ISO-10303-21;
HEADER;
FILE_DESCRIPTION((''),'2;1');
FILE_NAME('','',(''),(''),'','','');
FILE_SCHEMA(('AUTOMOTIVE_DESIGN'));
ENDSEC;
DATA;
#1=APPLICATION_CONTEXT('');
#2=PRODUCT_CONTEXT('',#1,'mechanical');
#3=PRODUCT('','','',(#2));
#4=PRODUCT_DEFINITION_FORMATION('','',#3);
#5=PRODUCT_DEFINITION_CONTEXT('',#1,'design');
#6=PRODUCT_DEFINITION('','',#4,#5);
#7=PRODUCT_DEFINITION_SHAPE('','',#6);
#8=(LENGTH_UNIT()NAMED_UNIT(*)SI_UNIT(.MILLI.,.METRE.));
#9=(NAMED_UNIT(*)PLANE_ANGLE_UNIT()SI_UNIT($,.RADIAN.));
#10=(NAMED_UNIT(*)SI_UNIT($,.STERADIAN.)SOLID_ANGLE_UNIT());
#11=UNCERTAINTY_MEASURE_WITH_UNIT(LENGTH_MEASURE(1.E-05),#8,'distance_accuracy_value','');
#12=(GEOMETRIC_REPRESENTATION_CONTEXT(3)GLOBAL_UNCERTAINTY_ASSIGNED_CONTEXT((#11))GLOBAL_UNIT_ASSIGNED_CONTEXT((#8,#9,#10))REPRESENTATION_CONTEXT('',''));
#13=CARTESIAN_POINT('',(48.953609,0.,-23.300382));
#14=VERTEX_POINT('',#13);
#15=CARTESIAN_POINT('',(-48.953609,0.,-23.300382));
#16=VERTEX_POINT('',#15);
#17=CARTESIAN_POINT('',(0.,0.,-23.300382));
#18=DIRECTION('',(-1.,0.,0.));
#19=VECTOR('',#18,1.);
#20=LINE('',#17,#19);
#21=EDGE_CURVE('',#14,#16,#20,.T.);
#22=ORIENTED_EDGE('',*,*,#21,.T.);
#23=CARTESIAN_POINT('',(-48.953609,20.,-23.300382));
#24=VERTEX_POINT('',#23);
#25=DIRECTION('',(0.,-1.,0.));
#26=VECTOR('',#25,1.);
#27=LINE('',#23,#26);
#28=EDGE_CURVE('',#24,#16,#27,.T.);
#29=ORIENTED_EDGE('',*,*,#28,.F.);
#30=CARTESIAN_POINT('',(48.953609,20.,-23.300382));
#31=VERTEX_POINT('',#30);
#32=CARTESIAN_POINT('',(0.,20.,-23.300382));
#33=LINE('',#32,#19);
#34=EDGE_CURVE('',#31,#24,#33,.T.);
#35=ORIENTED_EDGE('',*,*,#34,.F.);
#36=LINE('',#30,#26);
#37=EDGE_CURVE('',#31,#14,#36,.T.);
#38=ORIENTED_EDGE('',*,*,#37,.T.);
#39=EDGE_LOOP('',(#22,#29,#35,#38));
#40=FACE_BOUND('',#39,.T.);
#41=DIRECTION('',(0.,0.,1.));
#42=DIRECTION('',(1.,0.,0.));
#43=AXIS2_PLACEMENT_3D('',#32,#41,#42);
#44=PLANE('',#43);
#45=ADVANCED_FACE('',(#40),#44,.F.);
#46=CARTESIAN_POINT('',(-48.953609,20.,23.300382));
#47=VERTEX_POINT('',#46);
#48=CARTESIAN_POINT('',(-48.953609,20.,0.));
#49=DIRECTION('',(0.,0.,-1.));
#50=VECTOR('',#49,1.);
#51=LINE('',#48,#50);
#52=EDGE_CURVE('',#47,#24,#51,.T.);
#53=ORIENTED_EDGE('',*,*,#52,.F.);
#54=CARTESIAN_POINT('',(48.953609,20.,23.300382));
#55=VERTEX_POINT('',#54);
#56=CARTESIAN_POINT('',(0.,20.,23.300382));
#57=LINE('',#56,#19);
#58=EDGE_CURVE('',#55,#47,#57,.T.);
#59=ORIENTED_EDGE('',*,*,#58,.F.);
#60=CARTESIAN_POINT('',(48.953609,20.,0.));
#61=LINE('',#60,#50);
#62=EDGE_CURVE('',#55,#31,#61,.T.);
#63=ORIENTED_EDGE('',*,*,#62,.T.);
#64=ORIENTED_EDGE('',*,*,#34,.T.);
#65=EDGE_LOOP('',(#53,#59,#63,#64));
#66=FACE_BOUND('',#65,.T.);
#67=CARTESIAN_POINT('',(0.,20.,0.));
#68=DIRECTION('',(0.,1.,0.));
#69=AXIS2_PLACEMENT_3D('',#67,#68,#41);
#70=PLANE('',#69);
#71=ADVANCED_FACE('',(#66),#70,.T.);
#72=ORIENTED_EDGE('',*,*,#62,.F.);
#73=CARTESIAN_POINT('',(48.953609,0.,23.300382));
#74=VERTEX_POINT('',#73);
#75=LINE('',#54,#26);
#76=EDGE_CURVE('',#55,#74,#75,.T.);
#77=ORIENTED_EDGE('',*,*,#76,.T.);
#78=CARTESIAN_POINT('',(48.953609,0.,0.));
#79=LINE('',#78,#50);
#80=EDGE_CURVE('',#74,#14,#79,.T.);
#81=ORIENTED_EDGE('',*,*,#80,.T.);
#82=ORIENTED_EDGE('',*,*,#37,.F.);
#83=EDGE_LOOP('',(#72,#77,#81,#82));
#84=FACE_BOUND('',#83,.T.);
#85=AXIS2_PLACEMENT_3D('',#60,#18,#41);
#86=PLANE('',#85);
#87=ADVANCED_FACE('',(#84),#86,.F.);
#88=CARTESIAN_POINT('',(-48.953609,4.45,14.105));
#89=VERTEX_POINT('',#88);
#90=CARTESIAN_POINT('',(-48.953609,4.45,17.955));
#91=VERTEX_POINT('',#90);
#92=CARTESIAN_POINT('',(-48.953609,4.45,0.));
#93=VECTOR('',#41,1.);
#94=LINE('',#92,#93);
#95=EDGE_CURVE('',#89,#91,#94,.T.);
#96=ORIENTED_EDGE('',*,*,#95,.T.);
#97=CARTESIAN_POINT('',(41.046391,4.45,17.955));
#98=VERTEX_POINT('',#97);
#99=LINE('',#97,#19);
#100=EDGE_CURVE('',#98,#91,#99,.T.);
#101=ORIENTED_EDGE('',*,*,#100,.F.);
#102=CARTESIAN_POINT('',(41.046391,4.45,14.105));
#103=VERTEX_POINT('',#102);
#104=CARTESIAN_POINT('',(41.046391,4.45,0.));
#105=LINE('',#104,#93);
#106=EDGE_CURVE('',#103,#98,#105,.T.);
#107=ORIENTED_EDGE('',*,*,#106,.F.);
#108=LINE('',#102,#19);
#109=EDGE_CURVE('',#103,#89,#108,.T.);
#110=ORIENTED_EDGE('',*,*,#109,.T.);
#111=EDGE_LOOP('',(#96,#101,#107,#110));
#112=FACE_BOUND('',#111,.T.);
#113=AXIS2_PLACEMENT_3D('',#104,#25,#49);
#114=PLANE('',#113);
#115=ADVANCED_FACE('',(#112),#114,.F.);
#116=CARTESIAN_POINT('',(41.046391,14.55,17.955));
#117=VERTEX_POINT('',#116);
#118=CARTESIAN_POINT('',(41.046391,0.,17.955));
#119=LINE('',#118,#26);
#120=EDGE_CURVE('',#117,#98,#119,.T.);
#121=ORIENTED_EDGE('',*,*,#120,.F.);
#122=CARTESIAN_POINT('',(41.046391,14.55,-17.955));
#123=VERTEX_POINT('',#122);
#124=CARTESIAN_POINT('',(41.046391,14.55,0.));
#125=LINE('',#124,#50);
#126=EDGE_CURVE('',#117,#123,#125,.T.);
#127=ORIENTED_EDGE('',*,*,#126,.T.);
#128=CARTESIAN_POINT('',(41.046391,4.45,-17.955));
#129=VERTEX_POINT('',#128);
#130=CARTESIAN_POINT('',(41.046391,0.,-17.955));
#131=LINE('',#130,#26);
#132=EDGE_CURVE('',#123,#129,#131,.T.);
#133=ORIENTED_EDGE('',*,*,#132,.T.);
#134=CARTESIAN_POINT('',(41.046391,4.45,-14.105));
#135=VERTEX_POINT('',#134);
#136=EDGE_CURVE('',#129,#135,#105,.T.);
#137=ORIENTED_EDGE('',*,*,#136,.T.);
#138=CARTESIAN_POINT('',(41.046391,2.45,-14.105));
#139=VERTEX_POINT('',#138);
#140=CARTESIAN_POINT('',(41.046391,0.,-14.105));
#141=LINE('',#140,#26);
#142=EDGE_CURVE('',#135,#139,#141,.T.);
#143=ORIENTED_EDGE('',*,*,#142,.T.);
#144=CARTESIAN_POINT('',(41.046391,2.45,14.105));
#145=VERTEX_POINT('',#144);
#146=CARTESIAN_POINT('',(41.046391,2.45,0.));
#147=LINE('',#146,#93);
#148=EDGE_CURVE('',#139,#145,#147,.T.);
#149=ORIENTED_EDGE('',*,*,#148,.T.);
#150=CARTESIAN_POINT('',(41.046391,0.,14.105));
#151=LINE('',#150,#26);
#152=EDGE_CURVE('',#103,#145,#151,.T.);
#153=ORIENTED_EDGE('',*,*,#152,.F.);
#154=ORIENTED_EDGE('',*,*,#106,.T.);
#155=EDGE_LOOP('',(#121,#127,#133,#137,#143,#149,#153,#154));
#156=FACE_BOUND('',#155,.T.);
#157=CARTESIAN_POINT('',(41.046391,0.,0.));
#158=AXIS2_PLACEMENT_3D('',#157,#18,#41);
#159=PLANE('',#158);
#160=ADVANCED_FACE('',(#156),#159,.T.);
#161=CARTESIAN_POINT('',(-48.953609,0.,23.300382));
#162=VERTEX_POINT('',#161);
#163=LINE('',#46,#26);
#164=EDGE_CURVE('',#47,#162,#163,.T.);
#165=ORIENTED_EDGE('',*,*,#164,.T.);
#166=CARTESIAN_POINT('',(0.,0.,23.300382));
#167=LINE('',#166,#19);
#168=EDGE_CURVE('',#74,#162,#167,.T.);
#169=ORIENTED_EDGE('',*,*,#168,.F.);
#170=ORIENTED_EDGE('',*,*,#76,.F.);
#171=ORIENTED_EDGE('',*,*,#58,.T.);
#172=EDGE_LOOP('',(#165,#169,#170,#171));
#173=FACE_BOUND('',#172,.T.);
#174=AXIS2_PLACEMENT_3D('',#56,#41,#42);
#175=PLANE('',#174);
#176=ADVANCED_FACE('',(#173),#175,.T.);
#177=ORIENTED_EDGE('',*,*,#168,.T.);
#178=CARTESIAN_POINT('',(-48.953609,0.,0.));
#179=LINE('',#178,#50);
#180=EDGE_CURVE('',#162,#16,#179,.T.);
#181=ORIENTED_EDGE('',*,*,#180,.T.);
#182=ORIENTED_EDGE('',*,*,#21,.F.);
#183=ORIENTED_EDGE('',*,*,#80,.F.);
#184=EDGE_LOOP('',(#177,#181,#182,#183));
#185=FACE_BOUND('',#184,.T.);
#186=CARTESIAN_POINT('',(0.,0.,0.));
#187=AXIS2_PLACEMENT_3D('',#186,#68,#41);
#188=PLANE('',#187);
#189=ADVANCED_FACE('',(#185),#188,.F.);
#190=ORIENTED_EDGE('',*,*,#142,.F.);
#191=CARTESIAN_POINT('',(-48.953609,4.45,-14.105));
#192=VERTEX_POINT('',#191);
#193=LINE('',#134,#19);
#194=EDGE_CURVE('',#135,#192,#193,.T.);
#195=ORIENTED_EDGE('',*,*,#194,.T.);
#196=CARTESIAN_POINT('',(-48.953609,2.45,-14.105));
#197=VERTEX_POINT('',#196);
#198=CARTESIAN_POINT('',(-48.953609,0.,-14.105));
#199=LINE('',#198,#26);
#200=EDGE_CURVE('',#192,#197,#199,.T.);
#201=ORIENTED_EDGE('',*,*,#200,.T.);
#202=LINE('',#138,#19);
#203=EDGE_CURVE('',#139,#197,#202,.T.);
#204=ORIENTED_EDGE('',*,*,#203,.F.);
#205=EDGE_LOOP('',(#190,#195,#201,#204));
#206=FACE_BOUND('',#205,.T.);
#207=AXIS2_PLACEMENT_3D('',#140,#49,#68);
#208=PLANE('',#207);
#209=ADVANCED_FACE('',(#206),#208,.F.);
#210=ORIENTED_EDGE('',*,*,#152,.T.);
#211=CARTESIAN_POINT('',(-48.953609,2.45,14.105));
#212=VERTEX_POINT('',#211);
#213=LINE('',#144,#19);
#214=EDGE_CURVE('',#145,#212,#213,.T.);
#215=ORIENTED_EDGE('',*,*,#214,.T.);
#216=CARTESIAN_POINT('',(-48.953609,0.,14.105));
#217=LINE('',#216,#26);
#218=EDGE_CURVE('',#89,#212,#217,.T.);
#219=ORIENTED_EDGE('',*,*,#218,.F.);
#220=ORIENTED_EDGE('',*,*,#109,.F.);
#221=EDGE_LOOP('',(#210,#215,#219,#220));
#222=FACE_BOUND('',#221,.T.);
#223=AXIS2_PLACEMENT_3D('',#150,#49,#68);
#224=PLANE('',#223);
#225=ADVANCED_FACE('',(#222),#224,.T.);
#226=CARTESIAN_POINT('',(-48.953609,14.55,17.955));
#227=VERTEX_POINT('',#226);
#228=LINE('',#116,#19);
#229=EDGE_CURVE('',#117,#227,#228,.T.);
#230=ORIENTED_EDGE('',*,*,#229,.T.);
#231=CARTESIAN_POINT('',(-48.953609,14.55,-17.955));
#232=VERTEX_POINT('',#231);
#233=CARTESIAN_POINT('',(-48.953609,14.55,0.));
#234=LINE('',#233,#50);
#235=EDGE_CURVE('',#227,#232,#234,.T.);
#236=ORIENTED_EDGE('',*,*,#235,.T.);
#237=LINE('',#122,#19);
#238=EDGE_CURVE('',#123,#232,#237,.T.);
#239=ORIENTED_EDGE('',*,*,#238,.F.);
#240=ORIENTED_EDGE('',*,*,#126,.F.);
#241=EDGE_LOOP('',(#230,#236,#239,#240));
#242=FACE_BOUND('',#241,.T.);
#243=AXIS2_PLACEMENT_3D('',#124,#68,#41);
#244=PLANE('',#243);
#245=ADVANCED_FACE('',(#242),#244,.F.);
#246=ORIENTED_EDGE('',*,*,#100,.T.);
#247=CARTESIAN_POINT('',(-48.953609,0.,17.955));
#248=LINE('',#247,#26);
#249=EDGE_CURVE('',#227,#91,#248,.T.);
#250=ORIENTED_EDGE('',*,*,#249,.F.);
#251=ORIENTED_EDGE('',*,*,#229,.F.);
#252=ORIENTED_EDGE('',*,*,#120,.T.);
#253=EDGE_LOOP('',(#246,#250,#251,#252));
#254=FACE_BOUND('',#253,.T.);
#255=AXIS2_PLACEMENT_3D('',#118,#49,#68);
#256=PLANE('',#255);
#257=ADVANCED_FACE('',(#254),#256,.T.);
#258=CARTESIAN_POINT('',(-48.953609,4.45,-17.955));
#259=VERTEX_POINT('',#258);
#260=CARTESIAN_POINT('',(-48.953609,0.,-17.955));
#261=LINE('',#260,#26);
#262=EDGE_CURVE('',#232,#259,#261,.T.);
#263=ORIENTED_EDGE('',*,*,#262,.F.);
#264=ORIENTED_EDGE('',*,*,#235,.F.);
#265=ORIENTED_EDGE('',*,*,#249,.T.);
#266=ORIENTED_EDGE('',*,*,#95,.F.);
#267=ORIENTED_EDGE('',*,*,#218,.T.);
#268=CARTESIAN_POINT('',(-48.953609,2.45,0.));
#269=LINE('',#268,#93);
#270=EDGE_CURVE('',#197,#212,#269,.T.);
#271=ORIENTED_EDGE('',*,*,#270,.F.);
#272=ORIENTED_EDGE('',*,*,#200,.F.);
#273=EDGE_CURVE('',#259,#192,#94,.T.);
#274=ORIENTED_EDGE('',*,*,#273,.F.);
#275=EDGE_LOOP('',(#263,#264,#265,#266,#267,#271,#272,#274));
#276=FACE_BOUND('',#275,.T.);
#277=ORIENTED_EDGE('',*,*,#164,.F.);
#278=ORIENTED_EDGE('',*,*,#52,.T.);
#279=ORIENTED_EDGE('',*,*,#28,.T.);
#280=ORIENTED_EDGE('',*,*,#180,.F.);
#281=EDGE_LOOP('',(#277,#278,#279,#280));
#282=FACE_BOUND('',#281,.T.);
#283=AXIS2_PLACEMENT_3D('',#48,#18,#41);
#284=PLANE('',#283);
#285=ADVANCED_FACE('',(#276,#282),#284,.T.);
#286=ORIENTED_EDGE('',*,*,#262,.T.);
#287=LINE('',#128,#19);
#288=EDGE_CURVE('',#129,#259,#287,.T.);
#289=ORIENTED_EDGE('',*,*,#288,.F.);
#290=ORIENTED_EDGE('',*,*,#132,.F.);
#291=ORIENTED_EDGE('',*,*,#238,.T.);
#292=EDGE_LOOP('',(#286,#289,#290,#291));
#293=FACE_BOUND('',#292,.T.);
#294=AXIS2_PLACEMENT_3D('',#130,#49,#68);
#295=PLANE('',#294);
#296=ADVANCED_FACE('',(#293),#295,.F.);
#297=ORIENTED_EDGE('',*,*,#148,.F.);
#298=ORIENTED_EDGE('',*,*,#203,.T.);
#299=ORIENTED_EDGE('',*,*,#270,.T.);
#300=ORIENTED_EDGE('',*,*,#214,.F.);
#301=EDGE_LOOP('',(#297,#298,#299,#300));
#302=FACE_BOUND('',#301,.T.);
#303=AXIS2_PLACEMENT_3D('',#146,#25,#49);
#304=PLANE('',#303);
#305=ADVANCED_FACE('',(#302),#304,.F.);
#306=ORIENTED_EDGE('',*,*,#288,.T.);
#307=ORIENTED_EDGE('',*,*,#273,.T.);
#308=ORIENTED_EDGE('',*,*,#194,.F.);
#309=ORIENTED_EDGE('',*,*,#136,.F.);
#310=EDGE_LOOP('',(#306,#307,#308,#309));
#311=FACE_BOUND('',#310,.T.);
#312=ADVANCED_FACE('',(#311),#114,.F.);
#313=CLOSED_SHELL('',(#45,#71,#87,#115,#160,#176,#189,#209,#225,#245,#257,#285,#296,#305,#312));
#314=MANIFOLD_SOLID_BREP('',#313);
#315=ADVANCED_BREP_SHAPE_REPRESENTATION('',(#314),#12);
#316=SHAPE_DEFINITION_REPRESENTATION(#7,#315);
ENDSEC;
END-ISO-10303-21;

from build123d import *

# Parameters (mm, degrees)
SKETCH1_W           = 97.90721761
SKETCH1_H           = 46.600763908
BOSS_EXTRUDE1_DEPTH = 20
CUT_EXTRUDE1_DEPTH  = 90
CUT_EXTRUDE3_DEPTH  = 90


with BuildPart() as part:
    # Sketch1 → Boss-Extrude1 (new body)
    with BuildSketch(Plane(origin=(0, 0, 0), x_dir=(1, 0, 0), z_dir=(0, 1, 0))):
        Rectangle(SKETCH1_W, SKETCH1_H)
    extrude(amount=BOSS_EXTRUDE1_DEPTH)

    # Sketch3 → Cut-Extrude1 (cut)
    with BuildSketch(Plane.ZY.offset(48.953608805)):
        Polygon((0, 10), (-10.601673789, 14.55), (-17.105, 14.55), (-17.105, 5.45), (-10.601673789, 5.45), align=None)
        Polygon((10.601673789, 14.55), (-10.601673789, 14.55), (0, 10), align=None)
        Polygon((10.601673789, 5.45), (0, 10), (-10.601673789, 5.45), align=None)
        Polygon((10.601673789, 14.55), (0, 10), (10.601673789, 5.45), (17.105, 5.45), (17.105, 14.55), align=None)
    extrude(amount=-CUT_EXTRUDE1_DEPTH, mode=Mode.SUBTRACT)

    # Sketch4 → Cut-Extrude3 (cut)
    with BuildSketch(Plane.ZY.offset(48.953608805)):
        Polygon((-14.105, 4.45), (-14.105, 2.45), (14.105, 2.45), (14.105, 4.45), (17.955, 4.45), (17.955, 14.55), (17.105, 14.55), (17.105, 5.45), (-17.105, 5.45), (-17.105, 14.55), (-17.955, 14.55), (-17.955, 4.45), align=None)
    extrude(amount=-CUT_EXTRUDE3_DEPTH, mode=Mode.SUBTRACT)


solid = part.part
